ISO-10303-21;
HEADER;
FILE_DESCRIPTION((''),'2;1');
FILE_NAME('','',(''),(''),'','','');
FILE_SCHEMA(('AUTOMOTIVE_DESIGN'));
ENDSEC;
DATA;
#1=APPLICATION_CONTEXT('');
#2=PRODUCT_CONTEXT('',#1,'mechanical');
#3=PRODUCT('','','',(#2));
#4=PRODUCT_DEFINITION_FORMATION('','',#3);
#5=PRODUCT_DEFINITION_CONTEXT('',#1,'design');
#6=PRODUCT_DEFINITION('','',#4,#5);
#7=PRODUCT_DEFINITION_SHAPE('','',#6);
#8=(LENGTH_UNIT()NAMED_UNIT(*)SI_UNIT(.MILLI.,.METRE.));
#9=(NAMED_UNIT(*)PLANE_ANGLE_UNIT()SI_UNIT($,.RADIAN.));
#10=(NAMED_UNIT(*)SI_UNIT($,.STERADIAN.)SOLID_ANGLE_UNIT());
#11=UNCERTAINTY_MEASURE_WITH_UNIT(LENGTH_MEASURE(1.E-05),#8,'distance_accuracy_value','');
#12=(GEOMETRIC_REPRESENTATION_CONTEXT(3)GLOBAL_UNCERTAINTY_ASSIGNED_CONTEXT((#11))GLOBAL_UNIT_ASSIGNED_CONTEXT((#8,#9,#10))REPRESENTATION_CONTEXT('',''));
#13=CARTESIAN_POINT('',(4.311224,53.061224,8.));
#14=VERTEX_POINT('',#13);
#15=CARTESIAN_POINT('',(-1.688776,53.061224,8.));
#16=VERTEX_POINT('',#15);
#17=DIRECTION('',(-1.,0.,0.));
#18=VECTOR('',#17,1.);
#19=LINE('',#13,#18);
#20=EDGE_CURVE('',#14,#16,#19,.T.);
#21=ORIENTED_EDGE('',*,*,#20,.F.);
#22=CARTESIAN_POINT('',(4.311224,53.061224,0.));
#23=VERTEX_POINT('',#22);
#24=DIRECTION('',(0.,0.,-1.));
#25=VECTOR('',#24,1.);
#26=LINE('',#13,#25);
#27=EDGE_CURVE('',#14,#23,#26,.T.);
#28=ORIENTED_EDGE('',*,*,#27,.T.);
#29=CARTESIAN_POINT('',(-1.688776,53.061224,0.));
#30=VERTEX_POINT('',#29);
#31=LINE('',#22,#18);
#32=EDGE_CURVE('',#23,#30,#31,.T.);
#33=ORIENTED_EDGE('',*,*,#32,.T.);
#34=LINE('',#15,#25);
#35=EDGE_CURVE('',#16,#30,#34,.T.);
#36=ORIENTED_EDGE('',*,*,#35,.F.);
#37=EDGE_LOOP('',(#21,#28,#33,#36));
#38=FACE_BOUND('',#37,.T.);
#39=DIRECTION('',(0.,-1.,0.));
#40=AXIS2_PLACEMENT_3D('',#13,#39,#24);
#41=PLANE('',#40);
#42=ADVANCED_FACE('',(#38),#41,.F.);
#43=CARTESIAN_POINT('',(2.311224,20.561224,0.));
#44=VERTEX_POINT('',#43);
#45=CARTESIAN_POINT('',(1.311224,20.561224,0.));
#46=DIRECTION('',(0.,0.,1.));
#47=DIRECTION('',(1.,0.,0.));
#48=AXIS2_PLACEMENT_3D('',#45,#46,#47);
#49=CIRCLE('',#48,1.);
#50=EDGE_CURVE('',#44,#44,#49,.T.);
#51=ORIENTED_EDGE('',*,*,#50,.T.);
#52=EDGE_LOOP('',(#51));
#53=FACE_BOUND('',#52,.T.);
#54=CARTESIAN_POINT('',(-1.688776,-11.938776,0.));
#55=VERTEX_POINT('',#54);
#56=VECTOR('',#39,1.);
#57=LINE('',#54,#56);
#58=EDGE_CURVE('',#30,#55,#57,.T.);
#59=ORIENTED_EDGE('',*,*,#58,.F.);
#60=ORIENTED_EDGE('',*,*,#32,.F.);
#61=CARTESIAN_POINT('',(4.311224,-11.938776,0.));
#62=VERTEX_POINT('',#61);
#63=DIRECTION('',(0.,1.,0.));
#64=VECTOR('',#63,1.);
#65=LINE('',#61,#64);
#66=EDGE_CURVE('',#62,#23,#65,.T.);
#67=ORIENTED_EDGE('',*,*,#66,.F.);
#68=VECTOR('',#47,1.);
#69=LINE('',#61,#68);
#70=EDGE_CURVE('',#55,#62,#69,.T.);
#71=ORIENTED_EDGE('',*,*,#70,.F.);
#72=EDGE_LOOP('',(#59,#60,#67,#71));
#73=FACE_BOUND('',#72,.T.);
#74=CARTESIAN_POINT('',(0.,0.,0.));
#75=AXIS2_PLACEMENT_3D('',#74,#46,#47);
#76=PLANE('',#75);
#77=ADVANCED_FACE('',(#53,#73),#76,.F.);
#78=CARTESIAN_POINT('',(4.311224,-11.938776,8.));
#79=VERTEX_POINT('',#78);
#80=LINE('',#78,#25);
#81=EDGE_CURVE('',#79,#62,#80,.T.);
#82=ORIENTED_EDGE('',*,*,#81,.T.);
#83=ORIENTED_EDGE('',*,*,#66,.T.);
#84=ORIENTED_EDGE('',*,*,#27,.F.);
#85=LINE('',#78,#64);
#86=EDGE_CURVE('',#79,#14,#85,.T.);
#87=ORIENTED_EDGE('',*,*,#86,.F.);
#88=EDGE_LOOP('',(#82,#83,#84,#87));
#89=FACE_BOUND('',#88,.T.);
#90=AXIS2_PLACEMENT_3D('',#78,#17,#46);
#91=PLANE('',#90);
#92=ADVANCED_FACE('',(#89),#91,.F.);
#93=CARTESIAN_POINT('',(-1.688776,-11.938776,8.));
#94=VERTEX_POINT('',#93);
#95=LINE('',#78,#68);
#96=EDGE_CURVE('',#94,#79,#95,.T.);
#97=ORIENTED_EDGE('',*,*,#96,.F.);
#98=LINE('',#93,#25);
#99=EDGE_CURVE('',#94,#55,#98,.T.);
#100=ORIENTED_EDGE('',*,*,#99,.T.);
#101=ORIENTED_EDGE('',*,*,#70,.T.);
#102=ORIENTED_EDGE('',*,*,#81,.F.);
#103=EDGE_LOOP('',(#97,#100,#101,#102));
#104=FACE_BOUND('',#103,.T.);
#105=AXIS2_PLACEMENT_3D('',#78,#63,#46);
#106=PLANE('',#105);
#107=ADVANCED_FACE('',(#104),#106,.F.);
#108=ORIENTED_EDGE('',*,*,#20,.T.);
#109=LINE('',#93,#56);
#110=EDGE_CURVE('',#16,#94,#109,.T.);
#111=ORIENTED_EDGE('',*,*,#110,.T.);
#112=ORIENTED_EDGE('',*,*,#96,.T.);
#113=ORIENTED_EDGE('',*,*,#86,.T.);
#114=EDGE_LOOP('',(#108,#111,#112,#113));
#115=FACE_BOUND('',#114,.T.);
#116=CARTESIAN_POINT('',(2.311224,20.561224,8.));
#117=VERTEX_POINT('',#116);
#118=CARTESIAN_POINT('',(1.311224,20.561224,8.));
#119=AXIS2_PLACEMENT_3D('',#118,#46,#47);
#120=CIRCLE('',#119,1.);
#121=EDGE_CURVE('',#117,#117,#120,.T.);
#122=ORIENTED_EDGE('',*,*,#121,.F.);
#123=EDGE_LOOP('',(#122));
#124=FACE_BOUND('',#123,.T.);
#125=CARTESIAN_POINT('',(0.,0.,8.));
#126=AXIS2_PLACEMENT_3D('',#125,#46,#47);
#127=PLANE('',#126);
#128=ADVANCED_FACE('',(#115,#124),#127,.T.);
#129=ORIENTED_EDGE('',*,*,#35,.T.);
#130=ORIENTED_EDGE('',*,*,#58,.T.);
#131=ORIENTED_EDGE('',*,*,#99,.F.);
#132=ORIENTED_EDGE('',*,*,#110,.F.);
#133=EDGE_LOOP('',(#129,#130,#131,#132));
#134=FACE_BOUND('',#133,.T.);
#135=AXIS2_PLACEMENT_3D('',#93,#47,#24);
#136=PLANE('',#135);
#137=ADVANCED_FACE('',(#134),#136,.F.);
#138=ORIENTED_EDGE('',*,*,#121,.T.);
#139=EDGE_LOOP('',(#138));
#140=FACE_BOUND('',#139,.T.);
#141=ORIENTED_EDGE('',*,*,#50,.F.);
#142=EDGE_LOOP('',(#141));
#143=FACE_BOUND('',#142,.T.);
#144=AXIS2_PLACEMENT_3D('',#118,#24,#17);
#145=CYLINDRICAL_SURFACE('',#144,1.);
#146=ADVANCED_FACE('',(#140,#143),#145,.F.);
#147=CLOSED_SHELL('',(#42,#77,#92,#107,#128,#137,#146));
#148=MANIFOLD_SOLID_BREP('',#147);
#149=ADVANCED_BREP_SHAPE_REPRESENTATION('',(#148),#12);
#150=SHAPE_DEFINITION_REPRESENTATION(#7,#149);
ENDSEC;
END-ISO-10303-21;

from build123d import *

# Parameters (mm, degrees)
SKETCH1_W           = 6
SKETCH1_H           = 65
SKETCH1_R           = 1
BOSS_EXTRUDE1_DEPTH = 8


with BuildPart() as part:
    # Sketch1 → Boss-Extrude1 (new body)
    with BuildSketch(Plane.XY):
        with Locations((1.31122449, 20.56122449)):
            Rectangle(SKETCH1_W, SKETCH1_H)
        with Locations((1.31122449, 20.56122449)):
            Circle(SKETCH1_R, mode=Mode.SUBTRACT)
    extrude(amount=BOSS_EXTRUDE1_DEPTH)


solid = part.part
